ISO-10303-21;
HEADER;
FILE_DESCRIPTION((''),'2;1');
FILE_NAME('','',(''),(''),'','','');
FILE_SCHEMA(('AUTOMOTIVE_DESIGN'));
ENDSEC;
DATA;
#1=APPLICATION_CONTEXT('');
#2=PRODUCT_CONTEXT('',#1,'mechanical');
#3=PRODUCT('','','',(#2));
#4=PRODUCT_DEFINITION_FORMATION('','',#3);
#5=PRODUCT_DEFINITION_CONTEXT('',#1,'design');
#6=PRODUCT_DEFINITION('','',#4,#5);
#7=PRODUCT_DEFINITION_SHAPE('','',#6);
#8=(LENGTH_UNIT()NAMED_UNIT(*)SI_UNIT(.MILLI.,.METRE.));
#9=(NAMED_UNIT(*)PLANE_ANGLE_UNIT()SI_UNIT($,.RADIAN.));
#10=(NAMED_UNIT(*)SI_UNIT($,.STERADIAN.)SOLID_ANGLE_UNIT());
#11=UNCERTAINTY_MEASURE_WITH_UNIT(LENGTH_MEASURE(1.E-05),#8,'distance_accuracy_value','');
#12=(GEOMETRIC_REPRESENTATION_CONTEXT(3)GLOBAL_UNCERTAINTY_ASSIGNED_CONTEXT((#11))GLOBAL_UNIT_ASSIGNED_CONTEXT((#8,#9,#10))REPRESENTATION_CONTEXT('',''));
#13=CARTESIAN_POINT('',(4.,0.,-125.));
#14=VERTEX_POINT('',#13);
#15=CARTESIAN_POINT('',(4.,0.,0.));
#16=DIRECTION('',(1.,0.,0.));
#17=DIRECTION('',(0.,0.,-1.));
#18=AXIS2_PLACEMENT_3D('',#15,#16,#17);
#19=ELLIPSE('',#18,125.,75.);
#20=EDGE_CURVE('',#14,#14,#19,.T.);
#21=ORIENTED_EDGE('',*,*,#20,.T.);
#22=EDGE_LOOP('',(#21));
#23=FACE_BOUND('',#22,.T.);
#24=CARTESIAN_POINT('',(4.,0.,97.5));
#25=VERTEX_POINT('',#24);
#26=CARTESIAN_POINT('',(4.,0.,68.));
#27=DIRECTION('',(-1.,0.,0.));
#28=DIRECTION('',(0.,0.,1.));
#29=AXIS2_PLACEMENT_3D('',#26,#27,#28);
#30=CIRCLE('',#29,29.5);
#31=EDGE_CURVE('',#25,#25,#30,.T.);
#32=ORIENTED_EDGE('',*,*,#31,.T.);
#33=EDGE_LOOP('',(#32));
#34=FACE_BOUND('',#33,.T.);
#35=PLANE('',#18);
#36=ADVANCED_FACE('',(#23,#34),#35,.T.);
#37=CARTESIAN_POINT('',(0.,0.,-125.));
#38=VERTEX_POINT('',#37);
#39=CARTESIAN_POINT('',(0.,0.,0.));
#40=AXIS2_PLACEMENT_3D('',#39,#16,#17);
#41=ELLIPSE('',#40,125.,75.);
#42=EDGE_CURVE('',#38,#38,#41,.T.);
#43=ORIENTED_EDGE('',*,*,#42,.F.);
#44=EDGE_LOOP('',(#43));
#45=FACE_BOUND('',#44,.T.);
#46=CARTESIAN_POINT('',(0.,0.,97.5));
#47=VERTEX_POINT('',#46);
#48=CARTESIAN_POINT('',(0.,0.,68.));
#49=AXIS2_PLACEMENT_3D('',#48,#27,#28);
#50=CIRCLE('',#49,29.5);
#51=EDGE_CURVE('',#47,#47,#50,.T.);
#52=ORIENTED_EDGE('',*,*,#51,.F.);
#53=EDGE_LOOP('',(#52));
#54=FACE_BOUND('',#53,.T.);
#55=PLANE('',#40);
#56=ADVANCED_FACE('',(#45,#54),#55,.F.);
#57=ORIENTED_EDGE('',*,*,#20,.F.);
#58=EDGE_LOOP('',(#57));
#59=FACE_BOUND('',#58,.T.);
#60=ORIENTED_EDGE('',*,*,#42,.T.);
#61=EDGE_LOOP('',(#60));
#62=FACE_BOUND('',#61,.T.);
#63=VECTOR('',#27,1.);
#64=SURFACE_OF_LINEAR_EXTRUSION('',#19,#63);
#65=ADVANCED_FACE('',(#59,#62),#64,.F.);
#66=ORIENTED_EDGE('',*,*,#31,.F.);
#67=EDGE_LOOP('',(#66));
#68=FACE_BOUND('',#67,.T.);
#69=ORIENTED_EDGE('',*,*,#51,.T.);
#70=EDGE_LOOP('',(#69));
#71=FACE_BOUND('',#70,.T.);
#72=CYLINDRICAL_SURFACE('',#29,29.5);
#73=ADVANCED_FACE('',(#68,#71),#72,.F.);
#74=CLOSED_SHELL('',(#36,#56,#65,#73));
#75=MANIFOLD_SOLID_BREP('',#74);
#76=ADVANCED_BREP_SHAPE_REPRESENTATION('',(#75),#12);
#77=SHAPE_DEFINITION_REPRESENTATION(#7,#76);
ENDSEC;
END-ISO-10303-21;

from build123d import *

# Parameters (mm, degrees)
SKETCH1_RX          = 125
SKETCH1_RY          = 75
BOSS_EXTRUDE1_DEPTH = 4
SKETCH2_R           = 29.5
CUT_EXTRUDE1_DEPTH  = 5


with BuildPart() as part:
    # Sketch1 → Boss-Extrude1 (new body)
    with BuildSketch(Plane(origin=(0, 0, 0), x_dir=(0, 0, -1), z_dir=(1, 0, 0))):
        with Locations((0, 0)):
            Ellipse(SKETCH1_RX, SKETCH1_RY)
    extrude(amount=BOSS_EXTRUDE1_DEPTH)

    # Sketch2 → Cut-Extrude1 (cut, through all)
    with BuildSketch(Plane.ZY):
        with Locations((68, 0)):
            Circle(SKETCH2_R)
    extrude(amount=-CUT_EXTRUDE1_DEPTH, mode=Mode.SUBTRACT)


solid = part.part
